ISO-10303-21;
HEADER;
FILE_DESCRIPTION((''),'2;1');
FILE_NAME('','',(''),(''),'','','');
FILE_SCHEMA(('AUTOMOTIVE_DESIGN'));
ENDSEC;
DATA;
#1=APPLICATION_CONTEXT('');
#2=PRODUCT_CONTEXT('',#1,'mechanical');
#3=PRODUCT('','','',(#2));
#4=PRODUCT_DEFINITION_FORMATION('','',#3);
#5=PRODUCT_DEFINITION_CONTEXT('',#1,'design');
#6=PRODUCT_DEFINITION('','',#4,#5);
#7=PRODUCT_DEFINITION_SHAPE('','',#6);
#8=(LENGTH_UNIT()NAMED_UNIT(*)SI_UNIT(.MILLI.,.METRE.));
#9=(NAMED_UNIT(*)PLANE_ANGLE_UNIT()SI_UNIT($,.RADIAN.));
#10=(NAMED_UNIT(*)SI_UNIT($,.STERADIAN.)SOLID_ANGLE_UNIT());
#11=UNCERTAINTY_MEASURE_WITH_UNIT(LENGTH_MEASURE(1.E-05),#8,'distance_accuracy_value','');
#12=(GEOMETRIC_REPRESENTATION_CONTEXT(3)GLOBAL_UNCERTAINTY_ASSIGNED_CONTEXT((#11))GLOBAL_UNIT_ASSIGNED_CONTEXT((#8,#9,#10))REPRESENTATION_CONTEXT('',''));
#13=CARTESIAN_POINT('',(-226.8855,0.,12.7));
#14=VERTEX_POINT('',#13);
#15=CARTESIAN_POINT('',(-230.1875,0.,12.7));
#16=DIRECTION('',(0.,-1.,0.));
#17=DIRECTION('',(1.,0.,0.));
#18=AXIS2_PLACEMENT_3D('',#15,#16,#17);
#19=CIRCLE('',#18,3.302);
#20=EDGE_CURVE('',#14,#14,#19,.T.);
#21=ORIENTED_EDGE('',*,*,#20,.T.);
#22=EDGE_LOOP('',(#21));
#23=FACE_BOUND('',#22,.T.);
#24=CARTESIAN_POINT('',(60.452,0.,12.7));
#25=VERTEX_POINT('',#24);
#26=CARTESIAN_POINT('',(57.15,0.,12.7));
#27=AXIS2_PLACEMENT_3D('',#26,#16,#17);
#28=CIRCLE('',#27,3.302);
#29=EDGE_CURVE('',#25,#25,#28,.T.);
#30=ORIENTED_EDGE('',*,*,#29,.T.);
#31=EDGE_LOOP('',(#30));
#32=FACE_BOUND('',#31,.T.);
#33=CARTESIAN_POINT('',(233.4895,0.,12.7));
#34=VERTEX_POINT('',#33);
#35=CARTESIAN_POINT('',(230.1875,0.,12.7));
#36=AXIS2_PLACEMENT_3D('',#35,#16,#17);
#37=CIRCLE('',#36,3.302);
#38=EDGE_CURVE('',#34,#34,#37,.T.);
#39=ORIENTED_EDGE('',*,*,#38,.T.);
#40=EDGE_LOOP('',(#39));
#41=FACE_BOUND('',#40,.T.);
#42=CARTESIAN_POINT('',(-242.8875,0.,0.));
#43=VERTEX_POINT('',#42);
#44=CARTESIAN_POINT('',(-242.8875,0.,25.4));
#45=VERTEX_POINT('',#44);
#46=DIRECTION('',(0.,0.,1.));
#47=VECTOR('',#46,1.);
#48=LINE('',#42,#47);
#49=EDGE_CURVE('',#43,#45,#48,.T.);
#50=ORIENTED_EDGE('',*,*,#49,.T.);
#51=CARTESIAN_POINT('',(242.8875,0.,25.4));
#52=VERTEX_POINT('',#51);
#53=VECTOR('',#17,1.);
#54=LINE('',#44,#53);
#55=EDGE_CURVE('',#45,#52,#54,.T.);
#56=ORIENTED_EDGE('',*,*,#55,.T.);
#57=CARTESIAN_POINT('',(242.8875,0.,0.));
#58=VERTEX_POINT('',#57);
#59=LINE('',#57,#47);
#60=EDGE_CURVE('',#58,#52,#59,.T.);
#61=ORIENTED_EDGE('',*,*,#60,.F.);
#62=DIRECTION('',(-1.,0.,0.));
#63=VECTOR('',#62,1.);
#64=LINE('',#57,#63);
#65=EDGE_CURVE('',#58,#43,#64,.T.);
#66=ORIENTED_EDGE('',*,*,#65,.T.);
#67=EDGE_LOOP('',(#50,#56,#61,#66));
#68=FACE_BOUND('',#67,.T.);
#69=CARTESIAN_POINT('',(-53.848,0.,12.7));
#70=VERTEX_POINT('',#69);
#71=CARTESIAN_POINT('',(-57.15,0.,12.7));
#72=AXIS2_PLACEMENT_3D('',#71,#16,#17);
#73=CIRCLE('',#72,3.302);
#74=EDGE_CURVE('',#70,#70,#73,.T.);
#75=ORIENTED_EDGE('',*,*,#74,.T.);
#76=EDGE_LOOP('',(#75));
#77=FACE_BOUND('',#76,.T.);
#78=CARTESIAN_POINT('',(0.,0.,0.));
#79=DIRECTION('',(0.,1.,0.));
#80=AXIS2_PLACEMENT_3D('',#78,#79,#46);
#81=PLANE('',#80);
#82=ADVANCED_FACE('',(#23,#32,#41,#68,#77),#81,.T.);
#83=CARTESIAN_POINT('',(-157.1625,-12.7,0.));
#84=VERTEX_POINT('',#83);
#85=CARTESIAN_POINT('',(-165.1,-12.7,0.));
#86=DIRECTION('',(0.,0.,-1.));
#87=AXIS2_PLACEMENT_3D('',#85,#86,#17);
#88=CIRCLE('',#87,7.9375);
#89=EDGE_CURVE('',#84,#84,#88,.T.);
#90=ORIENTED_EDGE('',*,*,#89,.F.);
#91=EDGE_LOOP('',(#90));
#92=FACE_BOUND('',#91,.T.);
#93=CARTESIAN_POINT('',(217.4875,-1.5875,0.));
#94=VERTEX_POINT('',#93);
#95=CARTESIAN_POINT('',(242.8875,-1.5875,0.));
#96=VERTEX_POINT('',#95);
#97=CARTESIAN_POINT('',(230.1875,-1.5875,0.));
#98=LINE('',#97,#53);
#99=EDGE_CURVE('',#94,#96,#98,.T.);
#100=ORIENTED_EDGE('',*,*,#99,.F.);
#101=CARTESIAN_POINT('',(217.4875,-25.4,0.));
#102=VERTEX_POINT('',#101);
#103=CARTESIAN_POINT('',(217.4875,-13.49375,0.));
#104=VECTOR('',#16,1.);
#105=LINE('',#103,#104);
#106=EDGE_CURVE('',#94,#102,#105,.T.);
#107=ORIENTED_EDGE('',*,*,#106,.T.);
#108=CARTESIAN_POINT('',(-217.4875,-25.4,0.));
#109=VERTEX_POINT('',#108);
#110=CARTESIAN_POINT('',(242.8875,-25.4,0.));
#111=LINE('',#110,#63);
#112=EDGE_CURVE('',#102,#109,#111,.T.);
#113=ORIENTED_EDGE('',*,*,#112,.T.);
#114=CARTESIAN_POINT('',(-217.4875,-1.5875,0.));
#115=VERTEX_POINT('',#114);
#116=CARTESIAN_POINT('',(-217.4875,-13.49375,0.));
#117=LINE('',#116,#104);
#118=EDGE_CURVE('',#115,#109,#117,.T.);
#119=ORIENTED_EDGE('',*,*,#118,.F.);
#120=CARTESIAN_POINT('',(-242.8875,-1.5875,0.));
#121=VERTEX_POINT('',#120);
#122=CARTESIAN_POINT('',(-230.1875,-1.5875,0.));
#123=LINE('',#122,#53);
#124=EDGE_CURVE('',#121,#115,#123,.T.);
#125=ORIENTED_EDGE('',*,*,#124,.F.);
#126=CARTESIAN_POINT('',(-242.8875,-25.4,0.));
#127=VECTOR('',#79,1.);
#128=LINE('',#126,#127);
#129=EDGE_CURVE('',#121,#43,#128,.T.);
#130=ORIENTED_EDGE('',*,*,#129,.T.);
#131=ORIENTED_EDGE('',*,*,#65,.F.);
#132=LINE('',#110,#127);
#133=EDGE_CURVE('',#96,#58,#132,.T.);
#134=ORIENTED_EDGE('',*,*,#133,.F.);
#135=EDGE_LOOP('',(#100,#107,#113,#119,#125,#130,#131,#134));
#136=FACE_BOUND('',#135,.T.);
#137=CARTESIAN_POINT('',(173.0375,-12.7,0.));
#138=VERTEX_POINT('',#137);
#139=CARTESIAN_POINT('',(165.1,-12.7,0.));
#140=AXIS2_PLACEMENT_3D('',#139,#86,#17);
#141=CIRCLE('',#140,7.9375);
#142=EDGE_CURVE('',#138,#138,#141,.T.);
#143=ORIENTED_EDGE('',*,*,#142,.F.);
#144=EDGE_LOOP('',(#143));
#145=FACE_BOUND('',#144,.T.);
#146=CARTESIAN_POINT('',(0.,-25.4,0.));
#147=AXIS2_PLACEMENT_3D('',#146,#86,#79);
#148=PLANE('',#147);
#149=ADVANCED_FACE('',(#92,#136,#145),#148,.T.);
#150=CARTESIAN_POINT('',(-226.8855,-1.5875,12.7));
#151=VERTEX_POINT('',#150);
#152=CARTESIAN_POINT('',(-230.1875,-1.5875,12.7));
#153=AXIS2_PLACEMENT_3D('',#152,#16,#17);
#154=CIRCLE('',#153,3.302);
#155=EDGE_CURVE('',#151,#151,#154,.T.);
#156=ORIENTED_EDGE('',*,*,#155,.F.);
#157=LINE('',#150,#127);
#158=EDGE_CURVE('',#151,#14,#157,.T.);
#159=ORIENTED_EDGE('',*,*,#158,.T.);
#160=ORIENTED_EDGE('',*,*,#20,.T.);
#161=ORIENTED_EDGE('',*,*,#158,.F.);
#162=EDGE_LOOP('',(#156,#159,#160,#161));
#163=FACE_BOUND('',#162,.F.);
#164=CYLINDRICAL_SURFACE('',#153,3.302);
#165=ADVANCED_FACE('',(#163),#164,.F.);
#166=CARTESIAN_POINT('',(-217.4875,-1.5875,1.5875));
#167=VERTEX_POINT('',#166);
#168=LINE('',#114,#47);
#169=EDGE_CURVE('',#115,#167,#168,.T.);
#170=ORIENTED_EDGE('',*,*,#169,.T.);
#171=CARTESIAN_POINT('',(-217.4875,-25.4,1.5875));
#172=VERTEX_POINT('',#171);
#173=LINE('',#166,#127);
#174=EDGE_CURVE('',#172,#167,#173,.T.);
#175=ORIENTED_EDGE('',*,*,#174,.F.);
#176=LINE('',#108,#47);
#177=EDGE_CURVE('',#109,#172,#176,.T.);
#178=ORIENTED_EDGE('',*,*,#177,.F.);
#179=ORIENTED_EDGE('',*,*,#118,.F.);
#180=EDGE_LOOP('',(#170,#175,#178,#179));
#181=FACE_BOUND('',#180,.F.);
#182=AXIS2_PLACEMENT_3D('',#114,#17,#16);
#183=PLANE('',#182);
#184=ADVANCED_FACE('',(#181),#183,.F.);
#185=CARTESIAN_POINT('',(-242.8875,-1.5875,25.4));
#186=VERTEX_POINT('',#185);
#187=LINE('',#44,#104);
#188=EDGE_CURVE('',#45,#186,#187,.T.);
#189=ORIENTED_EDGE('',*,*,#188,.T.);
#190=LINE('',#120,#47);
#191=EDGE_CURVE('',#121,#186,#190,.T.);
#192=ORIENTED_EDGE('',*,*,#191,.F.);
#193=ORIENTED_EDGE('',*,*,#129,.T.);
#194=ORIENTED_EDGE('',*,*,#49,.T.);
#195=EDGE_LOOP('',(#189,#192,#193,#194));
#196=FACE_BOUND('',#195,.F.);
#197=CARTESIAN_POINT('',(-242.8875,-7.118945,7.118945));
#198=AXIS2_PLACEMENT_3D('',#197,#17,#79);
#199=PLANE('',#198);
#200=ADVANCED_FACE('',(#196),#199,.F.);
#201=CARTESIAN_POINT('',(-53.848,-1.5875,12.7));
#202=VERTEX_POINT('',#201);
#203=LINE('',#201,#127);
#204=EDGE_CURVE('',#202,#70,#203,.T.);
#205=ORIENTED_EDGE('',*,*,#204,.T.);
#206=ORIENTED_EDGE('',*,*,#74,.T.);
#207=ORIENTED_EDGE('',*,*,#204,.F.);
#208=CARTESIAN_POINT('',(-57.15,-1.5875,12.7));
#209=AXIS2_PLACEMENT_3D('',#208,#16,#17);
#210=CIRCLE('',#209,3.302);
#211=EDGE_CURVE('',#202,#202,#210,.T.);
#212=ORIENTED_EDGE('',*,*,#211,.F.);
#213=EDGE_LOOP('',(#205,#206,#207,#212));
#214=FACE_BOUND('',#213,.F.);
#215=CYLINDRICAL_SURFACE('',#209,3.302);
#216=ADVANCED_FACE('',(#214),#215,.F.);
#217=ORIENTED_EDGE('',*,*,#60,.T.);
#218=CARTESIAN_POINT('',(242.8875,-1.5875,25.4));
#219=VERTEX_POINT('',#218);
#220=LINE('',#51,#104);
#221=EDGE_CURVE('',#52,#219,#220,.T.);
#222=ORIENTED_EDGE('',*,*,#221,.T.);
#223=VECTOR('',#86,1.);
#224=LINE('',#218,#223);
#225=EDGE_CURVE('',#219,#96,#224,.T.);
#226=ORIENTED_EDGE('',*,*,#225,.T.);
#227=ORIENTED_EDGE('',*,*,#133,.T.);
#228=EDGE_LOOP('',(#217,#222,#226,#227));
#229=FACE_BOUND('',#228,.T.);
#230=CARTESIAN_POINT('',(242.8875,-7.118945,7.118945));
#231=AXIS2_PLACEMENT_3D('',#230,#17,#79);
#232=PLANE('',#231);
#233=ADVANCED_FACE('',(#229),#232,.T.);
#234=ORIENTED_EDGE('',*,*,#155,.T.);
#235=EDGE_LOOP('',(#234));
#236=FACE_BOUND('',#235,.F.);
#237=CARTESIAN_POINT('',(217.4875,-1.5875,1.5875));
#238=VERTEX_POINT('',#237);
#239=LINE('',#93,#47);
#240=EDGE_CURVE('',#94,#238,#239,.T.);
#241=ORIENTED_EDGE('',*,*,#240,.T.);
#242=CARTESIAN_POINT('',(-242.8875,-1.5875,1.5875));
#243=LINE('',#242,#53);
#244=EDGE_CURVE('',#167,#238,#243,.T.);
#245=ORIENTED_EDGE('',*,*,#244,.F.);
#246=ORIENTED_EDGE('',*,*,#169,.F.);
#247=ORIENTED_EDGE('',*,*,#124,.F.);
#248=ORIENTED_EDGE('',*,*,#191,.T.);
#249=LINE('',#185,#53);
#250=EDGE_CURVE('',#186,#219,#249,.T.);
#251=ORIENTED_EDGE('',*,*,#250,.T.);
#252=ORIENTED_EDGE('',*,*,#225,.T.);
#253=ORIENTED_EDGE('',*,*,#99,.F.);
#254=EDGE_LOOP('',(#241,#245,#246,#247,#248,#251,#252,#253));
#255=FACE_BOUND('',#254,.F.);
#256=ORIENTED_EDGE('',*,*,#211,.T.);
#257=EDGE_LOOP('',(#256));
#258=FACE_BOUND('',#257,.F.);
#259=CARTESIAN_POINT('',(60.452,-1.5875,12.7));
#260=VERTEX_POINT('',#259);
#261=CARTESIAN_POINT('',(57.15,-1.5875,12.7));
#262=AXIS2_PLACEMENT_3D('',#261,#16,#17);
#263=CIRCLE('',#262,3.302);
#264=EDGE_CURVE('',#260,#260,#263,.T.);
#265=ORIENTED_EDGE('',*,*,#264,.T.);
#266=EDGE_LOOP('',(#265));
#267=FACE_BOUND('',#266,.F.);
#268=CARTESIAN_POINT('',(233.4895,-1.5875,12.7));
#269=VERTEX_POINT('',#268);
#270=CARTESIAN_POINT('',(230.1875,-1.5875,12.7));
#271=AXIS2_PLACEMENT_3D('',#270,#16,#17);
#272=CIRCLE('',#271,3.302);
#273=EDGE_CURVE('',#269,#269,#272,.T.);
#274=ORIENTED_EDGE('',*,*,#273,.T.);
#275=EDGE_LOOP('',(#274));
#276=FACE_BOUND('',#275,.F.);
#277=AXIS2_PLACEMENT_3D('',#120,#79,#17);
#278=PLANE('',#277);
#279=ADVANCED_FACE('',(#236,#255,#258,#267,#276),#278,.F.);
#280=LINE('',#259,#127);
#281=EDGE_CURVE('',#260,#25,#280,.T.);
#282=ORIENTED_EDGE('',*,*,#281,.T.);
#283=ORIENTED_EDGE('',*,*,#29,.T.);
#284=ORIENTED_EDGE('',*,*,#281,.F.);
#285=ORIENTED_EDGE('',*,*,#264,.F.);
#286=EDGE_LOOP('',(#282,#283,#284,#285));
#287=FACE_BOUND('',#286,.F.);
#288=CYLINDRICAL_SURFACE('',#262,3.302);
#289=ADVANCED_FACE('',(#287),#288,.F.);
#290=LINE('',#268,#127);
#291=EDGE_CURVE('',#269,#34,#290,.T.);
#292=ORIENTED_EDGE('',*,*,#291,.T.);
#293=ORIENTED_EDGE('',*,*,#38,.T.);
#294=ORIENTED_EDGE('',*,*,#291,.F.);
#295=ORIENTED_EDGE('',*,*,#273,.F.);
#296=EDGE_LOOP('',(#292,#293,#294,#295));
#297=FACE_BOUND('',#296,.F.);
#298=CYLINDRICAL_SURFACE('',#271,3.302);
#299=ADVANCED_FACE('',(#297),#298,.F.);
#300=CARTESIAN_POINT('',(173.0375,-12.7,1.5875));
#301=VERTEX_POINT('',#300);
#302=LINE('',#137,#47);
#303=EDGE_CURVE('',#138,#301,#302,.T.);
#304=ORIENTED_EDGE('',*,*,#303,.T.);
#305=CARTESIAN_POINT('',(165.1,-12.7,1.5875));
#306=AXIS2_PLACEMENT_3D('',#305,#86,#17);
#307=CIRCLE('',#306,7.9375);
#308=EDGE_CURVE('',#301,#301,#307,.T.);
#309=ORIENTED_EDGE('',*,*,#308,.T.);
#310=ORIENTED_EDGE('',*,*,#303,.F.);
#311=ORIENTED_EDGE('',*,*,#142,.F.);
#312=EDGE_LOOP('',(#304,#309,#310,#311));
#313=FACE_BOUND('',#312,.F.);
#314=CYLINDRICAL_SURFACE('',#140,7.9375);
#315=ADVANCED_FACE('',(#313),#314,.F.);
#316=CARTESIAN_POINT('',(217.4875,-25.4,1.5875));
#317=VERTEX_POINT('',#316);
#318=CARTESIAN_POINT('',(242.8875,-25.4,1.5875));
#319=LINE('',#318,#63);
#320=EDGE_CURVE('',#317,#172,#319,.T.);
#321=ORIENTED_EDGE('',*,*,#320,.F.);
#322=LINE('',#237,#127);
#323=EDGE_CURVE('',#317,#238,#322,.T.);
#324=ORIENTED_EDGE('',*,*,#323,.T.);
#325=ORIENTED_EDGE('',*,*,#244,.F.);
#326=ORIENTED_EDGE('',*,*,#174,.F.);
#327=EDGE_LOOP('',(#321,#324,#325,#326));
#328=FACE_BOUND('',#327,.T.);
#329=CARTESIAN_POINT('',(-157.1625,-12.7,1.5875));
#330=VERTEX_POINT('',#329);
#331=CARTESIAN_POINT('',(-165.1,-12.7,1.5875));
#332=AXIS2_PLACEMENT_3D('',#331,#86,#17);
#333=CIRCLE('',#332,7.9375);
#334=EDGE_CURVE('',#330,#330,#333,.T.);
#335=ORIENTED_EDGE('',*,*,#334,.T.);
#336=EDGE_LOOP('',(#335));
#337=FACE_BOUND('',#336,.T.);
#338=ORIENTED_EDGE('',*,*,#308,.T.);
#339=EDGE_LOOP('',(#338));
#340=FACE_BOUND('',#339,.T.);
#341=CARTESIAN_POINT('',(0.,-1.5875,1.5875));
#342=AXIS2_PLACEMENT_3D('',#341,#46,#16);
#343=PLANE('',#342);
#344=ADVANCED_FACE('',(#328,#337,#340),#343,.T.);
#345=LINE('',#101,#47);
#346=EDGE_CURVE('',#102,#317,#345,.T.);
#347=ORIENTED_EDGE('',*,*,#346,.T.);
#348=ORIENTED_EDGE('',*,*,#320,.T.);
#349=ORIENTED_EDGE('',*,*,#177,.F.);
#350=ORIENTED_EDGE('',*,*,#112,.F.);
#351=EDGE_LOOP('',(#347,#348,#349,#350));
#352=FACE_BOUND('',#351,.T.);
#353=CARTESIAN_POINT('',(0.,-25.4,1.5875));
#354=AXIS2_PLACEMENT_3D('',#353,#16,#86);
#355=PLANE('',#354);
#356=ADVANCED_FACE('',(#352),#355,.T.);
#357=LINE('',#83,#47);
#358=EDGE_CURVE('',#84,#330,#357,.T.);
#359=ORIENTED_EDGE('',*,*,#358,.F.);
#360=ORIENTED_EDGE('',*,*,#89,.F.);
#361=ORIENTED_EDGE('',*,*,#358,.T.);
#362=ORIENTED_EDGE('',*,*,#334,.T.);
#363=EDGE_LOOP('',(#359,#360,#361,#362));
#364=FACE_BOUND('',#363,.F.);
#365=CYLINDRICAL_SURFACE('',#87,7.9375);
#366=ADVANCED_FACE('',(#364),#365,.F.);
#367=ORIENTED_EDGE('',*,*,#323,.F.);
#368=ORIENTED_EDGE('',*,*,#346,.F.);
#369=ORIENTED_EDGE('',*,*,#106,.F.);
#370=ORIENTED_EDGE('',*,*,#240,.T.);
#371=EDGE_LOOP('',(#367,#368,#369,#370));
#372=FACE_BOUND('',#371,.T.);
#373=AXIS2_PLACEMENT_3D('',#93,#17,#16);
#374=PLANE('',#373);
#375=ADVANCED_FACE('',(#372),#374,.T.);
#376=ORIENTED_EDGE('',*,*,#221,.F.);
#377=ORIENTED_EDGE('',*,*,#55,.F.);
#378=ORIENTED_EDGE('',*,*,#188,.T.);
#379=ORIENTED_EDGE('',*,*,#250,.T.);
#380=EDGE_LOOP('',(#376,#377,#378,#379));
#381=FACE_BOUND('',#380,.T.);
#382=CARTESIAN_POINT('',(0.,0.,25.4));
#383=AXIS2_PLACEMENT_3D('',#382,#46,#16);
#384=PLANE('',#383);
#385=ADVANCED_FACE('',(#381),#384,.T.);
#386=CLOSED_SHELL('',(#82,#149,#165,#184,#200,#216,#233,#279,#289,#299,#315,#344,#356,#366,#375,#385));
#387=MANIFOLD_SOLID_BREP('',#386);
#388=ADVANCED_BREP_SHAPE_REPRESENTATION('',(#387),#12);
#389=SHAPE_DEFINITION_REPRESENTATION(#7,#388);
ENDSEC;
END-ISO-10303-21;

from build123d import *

# Parameters (mm, degrees)
F1_DEPTH = 242.8875
F2_R     = 7.9375
F2_W     = 25.4
F2_H     = 23.8125
F4_DEPTH = 25.4
F3_R     = 3.302
F5_DEPTH = 25.4


with BuildPart() as f1:
    # F0 (on Right) → F1 (new body, symmetric)
    with BuildSketch(Plane.YZ):
        Polygon((0, 0), (0, 25.4), (-1.5875, 25.4), (-1.5875, 1.5875), (-25.4, 1.5875), (-25.4, 0), align=None)
    extrude(amount=F1_DEPTH, both=True)

    # F2 (on face) → F4 (cut)
    with BuildSketch(Plane(origin=(0, 0, 0), x_dir=(1, 0, 0), z_dir=(0, 0, -1))):
        with Locations((-165.1, 12.7)):
            Circle(F2_R)
        with Locations((165.1, 12.7)):
            Circle(F2_R)
        with Locations((-230.1875, 13.49375)):
            Rectangle(F2_W, F2_H)
        with Locations((230.1875, 13.49375)):
            Rectangle(F2_W, F2_H)
    extrude(amount=-F4_DEPTH, mode=Mode.SUBTRACT)

    # F3 (on face) → F5 (cut)
    with BuildSketch(Plane.XZ.offset(1.5875)):
        with Locations((-230.1875, 12.7)):
            Circle(F3_R)
        with Locations((230.1875, 12.7)):
            Circle(F3_R)
        with Locations((-57.15, 12.7)):
            Circle(F3_R)
        with Locations((57.15, 12.7)):
            Circle(F3_R)
    extrude(amount=-F5_DEPTH, mode=Mode.SUBTRACT)


solid = f1.part
